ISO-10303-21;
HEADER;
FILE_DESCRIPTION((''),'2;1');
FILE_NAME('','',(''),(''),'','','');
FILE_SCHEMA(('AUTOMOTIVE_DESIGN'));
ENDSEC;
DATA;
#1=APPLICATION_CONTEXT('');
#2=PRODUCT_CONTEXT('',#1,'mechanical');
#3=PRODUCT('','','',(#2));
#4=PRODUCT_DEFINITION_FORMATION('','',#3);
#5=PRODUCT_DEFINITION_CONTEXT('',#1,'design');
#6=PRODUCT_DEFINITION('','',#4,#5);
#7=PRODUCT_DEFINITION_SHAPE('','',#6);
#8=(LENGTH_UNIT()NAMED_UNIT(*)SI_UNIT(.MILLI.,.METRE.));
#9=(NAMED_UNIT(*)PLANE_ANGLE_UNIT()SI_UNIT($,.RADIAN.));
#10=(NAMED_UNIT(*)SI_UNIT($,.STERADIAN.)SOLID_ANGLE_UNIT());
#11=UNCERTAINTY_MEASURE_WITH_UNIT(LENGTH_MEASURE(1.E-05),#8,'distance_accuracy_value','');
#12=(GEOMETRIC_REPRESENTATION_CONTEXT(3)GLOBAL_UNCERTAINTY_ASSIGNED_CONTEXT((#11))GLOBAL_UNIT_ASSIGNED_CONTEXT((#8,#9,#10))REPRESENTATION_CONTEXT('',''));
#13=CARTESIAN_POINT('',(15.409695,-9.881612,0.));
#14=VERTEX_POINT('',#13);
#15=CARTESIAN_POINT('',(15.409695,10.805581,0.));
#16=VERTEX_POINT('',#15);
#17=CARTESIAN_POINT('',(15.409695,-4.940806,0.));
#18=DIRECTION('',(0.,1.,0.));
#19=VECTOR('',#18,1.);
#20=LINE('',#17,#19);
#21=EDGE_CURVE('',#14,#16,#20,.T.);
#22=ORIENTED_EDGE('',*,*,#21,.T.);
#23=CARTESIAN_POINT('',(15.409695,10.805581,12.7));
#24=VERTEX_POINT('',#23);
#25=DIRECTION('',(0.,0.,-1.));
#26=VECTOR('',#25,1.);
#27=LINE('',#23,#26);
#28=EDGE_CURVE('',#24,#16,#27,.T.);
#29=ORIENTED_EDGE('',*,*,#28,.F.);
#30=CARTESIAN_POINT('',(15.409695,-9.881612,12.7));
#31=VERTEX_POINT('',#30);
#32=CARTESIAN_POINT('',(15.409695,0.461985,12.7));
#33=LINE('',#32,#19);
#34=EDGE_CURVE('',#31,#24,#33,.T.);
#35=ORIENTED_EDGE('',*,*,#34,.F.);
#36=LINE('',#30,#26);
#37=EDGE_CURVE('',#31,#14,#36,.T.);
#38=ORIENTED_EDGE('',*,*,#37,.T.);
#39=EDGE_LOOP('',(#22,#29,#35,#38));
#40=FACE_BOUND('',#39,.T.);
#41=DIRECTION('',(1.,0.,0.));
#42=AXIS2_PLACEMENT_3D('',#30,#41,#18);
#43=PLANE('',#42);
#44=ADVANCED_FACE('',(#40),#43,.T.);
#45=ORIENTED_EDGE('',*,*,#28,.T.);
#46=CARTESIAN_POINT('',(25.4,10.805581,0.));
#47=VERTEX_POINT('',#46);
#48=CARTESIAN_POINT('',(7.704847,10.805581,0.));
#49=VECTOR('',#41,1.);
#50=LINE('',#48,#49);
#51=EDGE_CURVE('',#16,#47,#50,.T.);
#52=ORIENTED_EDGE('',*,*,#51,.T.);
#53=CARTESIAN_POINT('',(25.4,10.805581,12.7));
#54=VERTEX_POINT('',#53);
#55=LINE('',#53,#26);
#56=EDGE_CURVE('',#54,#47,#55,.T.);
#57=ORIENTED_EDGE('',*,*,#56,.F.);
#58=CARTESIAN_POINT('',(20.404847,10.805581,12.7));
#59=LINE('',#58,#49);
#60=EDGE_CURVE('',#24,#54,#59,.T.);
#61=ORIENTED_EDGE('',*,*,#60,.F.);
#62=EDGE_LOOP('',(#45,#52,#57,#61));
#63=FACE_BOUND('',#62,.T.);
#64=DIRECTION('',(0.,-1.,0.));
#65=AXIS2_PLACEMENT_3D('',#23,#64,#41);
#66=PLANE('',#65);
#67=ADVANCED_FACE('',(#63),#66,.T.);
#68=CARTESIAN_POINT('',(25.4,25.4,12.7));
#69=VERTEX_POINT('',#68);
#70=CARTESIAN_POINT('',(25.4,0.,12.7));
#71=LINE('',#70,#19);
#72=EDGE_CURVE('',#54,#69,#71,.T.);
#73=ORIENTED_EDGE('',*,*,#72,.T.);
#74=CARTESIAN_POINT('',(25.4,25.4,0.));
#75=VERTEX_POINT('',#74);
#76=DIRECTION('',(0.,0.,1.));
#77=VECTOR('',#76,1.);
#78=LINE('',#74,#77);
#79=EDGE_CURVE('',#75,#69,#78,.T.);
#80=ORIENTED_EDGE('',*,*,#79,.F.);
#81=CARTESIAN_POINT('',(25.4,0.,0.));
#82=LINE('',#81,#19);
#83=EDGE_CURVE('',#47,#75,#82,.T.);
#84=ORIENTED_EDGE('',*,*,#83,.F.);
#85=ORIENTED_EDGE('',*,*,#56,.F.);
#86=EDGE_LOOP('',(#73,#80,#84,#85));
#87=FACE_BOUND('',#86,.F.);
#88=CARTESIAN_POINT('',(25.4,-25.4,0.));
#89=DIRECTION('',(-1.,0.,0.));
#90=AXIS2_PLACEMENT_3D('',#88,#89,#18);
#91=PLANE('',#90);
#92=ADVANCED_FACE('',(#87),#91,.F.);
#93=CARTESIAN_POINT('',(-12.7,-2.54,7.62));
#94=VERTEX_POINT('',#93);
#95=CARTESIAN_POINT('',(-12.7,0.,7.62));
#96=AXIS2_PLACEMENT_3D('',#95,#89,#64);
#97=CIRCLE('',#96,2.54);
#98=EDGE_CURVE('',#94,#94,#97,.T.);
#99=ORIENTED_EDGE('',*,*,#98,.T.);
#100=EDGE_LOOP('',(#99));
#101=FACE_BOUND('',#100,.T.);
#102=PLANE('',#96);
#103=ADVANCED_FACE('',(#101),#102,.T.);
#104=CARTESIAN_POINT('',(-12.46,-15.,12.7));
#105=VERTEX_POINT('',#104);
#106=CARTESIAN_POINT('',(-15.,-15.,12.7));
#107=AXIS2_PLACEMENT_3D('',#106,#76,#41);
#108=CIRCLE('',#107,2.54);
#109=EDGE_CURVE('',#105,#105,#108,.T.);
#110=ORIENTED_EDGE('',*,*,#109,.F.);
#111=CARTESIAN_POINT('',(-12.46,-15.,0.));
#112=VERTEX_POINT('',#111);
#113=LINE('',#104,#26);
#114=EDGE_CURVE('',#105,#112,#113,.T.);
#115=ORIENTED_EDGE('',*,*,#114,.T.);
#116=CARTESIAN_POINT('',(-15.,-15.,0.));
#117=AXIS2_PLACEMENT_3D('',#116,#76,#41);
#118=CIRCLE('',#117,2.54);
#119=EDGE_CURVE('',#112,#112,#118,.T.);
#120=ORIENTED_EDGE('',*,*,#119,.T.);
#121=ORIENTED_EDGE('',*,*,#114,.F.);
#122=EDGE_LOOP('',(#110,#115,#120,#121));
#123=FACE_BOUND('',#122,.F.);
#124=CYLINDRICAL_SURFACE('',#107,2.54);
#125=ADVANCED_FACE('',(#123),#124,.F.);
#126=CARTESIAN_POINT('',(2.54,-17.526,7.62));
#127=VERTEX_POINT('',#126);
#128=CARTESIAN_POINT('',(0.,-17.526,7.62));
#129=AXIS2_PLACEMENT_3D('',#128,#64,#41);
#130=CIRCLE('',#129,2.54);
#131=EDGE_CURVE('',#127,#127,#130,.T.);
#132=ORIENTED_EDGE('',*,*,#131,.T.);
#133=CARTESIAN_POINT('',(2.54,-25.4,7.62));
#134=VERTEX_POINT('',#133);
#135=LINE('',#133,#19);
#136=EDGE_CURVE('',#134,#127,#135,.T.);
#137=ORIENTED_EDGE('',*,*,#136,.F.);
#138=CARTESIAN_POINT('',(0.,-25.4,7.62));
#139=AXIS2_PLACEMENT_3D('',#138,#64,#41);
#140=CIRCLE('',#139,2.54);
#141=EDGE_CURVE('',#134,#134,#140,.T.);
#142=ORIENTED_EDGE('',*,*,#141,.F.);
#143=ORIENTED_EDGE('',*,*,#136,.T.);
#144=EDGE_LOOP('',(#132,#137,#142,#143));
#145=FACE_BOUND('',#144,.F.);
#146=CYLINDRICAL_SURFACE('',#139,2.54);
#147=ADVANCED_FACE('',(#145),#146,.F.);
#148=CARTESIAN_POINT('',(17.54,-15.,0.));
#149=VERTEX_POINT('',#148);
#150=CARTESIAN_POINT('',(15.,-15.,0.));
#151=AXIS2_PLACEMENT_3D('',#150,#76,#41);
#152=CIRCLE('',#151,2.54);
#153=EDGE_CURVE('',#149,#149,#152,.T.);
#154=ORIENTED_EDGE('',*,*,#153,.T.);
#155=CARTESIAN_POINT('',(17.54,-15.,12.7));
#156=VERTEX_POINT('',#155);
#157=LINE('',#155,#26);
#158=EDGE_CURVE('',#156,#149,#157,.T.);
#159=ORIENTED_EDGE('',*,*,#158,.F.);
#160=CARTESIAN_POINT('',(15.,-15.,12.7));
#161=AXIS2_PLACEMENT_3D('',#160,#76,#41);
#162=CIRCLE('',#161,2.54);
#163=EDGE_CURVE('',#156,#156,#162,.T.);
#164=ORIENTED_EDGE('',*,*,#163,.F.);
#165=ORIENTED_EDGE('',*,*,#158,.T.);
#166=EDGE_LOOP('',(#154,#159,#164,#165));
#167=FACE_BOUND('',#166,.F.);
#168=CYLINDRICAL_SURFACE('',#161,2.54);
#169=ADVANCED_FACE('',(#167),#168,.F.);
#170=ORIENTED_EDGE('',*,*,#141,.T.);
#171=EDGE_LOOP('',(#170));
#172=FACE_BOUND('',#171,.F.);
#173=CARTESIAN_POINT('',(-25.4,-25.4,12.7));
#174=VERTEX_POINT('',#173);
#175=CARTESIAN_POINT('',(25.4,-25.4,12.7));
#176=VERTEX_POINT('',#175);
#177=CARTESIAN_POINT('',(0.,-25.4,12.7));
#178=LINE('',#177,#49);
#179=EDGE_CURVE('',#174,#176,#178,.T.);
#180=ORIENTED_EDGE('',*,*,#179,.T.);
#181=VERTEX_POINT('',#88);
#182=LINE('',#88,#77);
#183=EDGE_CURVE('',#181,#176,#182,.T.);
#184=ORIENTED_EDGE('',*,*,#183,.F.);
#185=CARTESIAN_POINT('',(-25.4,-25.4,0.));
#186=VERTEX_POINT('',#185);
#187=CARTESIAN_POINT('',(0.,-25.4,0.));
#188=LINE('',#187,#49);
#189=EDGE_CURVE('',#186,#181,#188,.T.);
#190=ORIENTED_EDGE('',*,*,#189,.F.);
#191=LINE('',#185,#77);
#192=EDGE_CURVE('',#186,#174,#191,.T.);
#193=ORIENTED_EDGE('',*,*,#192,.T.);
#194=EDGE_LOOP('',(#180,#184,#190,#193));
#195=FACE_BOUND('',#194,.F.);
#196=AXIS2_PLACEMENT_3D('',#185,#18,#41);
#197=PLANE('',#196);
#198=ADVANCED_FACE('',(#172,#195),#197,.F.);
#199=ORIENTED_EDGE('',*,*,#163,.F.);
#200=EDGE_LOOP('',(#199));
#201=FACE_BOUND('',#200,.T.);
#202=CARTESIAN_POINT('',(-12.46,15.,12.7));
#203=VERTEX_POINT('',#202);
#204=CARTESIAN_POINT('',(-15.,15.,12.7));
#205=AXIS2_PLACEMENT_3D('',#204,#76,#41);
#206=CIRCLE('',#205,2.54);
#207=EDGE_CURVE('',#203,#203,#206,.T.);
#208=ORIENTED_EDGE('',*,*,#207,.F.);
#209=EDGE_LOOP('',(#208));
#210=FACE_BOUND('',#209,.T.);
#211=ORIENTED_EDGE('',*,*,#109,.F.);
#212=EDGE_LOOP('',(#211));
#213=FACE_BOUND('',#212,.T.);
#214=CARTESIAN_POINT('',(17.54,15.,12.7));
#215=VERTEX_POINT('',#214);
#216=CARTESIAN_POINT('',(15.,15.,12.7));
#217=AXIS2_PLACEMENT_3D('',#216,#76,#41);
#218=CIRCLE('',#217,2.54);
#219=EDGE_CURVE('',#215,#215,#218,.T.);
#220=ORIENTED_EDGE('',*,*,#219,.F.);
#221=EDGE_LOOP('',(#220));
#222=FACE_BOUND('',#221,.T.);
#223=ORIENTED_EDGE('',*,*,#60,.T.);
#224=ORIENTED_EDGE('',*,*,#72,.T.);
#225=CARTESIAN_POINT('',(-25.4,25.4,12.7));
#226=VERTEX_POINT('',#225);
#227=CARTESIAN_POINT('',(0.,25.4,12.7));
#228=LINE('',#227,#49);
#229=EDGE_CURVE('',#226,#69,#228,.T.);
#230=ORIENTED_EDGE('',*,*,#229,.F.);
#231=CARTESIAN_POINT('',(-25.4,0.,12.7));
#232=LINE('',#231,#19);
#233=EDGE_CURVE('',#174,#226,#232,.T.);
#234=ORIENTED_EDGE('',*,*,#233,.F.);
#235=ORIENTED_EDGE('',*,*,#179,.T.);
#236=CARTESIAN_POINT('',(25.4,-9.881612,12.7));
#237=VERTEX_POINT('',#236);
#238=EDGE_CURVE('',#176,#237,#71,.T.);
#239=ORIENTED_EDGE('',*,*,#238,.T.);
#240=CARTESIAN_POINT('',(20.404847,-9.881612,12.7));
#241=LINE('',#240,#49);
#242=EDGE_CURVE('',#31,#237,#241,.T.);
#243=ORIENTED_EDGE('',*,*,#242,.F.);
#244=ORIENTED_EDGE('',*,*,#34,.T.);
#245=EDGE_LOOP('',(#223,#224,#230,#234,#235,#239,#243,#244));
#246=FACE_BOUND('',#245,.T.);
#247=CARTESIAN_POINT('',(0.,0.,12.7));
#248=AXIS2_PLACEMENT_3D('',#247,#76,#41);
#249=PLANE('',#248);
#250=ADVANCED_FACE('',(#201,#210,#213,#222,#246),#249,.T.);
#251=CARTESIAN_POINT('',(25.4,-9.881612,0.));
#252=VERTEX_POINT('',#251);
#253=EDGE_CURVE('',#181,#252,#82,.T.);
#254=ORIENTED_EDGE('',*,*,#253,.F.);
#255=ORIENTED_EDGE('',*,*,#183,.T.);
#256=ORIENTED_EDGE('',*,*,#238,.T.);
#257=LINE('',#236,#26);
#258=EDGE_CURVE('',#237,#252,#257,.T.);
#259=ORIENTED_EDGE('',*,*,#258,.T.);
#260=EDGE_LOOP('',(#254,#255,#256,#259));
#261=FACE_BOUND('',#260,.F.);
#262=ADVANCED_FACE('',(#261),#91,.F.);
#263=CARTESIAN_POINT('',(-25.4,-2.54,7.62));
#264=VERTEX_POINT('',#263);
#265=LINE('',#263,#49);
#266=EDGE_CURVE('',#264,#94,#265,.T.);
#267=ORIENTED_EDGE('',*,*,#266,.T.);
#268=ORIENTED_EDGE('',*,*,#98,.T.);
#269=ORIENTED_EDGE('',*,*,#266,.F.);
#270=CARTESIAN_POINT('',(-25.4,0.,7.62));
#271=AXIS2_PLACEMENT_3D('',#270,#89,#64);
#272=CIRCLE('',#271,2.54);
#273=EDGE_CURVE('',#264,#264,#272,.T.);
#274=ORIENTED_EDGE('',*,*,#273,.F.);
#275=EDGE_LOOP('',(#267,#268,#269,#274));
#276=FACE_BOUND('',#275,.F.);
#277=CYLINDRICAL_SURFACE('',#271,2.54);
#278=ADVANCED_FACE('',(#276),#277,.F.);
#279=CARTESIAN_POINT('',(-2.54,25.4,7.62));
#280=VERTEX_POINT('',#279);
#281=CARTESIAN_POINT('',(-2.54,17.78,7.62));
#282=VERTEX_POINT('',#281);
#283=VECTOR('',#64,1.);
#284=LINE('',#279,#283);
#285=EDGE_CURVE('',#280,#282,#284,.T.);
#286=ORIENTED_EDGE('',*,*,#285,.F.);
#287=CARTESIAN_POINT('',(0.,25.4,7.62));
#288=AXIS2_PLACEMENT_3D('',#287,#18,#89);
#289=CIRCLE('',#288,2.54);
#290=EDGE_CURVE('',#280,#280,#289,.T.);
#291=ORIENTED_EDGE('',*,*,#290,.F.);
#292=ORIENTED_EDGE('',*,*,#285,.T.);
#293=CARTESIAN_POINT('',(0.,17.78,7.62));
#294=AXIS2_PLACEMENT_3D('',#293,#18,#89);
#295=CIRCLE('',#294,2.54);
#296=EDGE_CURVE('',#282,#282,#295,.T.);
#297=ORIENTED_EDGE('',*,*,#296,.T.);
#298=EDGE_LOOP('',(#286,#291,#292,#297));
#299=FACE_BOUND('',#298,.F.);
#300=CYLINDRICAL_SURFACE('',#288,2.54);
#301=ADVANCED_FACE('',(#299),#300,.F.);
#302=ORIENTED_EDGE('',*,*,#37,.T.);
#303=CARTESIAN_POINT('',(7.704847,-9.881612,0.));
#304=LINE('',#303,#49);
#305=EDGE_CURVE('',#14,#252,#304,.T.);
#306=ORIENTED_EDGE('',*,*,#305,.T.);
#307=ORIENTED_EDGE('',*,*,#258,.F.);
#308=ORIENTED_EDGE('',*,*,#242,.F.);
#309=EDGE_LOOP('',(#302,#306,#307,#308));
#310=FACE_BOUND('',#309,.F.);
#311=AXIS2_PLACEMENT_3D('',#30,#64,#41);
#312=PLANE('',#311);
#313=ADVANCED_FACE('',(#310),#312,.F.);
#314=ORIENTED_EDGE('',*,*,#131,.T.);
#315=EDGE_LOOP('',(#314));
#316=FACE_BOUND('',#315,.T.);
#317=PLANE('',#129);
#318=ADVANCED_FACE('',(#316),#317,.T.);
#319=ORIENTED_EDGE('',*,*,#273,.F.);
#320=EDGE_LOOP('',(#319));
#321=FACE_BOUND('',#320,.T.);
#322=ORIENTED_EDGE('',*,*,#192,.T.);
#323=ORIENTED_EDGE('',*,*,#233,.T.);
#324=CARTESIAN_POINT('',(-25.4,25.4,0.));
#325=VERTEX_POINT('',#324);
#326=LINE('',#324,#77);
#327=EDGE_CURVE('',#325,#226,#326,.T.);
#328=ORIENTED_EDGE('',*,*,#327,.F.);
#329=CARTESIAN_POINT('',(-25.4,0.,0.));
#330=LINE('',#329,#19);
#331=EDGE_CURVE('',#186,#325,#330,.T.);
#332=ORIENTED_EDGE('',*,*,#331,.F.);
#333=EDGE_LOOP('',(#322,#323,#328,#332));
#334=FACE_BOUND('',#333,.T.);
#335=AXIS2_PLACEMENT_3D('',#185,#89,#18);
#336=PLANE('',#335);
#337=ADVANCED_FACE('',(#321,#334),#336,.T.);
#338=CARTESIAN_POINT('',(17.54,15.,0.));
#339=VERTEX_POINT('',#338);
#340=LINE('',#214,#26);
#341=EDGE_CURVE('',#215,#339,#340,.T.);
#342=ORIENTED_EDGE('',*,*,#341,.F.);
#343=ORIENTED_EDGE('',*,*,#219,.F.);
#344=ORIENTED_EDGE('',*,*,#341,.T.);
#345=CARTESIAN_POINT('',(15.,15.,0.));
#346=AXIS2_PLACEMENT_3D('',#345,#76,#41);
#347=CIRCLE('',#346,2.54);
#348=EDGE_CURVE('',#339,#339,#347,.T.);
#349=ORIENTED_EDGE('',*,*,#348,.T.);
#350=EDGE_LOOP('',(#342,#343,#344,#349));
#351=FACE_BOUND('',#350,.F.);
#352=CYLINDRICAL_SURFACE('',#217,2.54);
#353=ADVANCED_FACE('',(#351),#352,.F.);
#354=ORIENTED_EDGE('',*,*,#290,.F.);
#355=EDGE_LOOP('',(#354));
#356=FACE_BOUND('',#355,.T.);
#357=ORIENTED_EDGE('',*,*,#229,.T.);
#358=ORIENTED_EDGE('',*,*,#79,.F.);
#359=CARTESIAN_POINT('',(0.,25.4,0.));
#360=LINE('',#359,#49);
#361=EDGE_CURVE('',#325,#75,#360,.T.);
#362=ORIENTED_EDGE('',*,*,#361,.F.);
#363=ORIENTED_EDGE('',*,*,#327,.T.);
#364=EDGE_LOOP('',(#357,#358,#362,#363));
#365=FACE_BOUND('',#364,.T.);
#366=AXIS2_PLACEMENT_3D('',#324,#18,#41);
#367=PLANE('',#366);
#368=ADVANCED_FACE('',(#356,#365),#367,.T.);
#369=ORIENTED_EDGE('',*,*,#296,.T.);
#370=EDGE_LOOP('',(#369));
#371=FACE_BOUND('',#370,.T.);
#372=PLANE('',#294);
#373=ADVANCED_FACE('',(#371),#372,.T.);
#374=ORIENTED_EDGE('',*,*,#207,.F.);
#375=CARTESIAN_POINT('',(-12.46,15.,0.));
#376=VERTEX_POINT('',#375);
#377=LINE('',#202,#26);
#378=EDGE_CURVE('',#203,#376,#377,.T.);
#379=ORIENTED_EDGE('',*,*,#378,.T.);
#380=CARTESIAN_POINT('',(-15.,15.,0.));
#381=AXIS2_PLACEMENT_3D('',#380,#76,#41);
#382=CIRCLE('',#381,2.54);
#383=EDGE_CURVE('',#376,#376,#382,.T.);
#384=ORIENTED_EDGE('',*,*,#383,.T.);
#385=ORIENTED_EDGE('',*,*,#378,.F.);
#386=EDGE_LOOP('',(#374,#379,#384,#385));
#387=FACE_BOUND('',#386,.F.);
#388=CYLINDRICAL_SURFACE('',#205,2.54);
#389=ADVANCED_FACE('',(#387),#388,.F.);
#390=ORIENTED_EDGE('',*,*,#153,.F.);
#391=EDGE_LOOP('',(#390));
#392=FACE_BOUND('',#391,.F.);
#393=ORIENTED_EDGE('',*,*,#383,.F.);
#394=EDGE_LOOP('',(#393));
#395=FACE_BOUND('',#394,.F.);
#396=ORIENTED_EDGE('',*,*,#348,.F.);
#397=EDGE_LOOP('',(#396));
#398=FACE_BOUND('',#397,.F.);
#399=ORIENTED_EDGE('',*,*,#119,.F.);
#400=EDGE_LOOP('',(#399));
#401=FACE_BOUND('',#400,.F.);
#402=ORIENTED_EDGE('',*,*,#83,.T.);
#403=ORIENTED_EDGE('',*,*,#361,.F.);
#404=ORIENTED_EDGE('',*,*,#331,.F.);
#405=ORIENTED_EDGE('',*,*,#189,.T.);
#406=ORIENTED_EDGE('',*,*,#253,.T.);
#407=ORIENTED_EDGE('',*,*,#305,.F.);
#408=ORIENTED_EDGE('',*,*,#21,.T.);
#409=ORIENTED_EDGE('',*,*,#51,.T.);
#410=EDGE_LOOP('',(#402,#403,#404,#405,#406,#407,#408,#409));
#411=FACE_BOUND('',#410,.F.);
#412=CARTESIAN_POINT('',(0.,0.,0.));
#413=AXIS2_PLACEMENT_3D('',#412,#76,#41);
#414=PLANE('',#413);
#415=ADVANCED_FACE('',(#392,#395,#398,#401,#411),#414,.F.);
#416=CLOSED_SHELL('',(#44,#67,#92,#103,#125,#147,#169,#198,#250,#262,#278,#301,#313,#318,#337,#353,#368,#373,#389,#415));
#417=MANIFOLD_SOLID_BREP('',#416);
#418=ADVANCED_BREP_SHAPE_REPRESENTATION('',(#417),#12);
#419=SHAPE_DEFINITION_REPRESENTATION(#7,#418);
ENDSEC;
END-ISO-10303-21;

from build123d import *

# Parameters (mm, degrees)
F0_W      = 50.8
F0_H      = 50.8
F1_DEPTH  = 12.7
F2_W      = 9.9903053224
F2_H      = 20.6871938426
F3_DEPTH  = 25.4
F4_R      = 2.54
F5_DEPTH  = 25.4
F6_R      = 2.54
F7_DEPTH  = 7.874
F8_R      = 2.54
F9_DEPTH  = 12.7
F10_R     = 2.54
F11_DEPTH = 7.62


with BuildPart() as f1:
    # F0 (on Top) → F1 (new body)
    with BuildSketch(Plane.XY):
        Rectangle(F0_W, F0_H)
    extrude(amount=F1_DEPTH)

    # F2 (on face) → F3 (cut)
    with BuildSketch(Plane.XY.offset(12.7)):
        with Locations((20.4048473388, 0.4619845422)):
            Rectangle(F2_W, F2_H)
    extrude(amount=-F3_DEPTH, mode=Mode.SUBTRACT)

    # F4 (on face) → F5 (cut)
    with BuildSketch(Plane.XY.offset(12.7)):
        with Locations((-15, 15)):
            Circle(F4_R)
        with Locations((15, 15)):
            Circle(F4_R)
        with Locations((-15, -15)):
            Circle(F4_R)
        with Locations((15, -15)):
            Circle(F4_R)
    extrude(amount=-F5_DEPTH, mode=Mode.SUBTRACT)

    # F6 (on face) → F7 (cut)
    with BuildSketch(Plane.XZ.offset(25.4)):
        with Locations((0, 7.62)):
            Circle(F6_R)
    extrude(amount=-F7_DEPTH, mode=Mode.SUBTRACT)

    # F8 (on face) → F9 (cut)
    with BuildSketch(Plane(origin=(-25.4, 0, 0), x_dir=(0, -1, 0), z_dir=(-1, 0, 0))):
        with Locations((0, 7.62)):
            Circle(F8_R)
    extrude(amount=-F9_DEPTH, mode=Mode.SUBTRACT)

    # F10 (on face) → F11 (cut)
    with BuildSketch(Plane(origin=(0, 25.4, 0), x_dir=(-1, 0, 0), z_dir=(0, 1, 0))):
        with Locations((0, 7.62)):
            Circle(F10_R)
    extrude(amount=-F11_DEPTH, mode=Mode.SUBTRACT)


solid = f1.part
